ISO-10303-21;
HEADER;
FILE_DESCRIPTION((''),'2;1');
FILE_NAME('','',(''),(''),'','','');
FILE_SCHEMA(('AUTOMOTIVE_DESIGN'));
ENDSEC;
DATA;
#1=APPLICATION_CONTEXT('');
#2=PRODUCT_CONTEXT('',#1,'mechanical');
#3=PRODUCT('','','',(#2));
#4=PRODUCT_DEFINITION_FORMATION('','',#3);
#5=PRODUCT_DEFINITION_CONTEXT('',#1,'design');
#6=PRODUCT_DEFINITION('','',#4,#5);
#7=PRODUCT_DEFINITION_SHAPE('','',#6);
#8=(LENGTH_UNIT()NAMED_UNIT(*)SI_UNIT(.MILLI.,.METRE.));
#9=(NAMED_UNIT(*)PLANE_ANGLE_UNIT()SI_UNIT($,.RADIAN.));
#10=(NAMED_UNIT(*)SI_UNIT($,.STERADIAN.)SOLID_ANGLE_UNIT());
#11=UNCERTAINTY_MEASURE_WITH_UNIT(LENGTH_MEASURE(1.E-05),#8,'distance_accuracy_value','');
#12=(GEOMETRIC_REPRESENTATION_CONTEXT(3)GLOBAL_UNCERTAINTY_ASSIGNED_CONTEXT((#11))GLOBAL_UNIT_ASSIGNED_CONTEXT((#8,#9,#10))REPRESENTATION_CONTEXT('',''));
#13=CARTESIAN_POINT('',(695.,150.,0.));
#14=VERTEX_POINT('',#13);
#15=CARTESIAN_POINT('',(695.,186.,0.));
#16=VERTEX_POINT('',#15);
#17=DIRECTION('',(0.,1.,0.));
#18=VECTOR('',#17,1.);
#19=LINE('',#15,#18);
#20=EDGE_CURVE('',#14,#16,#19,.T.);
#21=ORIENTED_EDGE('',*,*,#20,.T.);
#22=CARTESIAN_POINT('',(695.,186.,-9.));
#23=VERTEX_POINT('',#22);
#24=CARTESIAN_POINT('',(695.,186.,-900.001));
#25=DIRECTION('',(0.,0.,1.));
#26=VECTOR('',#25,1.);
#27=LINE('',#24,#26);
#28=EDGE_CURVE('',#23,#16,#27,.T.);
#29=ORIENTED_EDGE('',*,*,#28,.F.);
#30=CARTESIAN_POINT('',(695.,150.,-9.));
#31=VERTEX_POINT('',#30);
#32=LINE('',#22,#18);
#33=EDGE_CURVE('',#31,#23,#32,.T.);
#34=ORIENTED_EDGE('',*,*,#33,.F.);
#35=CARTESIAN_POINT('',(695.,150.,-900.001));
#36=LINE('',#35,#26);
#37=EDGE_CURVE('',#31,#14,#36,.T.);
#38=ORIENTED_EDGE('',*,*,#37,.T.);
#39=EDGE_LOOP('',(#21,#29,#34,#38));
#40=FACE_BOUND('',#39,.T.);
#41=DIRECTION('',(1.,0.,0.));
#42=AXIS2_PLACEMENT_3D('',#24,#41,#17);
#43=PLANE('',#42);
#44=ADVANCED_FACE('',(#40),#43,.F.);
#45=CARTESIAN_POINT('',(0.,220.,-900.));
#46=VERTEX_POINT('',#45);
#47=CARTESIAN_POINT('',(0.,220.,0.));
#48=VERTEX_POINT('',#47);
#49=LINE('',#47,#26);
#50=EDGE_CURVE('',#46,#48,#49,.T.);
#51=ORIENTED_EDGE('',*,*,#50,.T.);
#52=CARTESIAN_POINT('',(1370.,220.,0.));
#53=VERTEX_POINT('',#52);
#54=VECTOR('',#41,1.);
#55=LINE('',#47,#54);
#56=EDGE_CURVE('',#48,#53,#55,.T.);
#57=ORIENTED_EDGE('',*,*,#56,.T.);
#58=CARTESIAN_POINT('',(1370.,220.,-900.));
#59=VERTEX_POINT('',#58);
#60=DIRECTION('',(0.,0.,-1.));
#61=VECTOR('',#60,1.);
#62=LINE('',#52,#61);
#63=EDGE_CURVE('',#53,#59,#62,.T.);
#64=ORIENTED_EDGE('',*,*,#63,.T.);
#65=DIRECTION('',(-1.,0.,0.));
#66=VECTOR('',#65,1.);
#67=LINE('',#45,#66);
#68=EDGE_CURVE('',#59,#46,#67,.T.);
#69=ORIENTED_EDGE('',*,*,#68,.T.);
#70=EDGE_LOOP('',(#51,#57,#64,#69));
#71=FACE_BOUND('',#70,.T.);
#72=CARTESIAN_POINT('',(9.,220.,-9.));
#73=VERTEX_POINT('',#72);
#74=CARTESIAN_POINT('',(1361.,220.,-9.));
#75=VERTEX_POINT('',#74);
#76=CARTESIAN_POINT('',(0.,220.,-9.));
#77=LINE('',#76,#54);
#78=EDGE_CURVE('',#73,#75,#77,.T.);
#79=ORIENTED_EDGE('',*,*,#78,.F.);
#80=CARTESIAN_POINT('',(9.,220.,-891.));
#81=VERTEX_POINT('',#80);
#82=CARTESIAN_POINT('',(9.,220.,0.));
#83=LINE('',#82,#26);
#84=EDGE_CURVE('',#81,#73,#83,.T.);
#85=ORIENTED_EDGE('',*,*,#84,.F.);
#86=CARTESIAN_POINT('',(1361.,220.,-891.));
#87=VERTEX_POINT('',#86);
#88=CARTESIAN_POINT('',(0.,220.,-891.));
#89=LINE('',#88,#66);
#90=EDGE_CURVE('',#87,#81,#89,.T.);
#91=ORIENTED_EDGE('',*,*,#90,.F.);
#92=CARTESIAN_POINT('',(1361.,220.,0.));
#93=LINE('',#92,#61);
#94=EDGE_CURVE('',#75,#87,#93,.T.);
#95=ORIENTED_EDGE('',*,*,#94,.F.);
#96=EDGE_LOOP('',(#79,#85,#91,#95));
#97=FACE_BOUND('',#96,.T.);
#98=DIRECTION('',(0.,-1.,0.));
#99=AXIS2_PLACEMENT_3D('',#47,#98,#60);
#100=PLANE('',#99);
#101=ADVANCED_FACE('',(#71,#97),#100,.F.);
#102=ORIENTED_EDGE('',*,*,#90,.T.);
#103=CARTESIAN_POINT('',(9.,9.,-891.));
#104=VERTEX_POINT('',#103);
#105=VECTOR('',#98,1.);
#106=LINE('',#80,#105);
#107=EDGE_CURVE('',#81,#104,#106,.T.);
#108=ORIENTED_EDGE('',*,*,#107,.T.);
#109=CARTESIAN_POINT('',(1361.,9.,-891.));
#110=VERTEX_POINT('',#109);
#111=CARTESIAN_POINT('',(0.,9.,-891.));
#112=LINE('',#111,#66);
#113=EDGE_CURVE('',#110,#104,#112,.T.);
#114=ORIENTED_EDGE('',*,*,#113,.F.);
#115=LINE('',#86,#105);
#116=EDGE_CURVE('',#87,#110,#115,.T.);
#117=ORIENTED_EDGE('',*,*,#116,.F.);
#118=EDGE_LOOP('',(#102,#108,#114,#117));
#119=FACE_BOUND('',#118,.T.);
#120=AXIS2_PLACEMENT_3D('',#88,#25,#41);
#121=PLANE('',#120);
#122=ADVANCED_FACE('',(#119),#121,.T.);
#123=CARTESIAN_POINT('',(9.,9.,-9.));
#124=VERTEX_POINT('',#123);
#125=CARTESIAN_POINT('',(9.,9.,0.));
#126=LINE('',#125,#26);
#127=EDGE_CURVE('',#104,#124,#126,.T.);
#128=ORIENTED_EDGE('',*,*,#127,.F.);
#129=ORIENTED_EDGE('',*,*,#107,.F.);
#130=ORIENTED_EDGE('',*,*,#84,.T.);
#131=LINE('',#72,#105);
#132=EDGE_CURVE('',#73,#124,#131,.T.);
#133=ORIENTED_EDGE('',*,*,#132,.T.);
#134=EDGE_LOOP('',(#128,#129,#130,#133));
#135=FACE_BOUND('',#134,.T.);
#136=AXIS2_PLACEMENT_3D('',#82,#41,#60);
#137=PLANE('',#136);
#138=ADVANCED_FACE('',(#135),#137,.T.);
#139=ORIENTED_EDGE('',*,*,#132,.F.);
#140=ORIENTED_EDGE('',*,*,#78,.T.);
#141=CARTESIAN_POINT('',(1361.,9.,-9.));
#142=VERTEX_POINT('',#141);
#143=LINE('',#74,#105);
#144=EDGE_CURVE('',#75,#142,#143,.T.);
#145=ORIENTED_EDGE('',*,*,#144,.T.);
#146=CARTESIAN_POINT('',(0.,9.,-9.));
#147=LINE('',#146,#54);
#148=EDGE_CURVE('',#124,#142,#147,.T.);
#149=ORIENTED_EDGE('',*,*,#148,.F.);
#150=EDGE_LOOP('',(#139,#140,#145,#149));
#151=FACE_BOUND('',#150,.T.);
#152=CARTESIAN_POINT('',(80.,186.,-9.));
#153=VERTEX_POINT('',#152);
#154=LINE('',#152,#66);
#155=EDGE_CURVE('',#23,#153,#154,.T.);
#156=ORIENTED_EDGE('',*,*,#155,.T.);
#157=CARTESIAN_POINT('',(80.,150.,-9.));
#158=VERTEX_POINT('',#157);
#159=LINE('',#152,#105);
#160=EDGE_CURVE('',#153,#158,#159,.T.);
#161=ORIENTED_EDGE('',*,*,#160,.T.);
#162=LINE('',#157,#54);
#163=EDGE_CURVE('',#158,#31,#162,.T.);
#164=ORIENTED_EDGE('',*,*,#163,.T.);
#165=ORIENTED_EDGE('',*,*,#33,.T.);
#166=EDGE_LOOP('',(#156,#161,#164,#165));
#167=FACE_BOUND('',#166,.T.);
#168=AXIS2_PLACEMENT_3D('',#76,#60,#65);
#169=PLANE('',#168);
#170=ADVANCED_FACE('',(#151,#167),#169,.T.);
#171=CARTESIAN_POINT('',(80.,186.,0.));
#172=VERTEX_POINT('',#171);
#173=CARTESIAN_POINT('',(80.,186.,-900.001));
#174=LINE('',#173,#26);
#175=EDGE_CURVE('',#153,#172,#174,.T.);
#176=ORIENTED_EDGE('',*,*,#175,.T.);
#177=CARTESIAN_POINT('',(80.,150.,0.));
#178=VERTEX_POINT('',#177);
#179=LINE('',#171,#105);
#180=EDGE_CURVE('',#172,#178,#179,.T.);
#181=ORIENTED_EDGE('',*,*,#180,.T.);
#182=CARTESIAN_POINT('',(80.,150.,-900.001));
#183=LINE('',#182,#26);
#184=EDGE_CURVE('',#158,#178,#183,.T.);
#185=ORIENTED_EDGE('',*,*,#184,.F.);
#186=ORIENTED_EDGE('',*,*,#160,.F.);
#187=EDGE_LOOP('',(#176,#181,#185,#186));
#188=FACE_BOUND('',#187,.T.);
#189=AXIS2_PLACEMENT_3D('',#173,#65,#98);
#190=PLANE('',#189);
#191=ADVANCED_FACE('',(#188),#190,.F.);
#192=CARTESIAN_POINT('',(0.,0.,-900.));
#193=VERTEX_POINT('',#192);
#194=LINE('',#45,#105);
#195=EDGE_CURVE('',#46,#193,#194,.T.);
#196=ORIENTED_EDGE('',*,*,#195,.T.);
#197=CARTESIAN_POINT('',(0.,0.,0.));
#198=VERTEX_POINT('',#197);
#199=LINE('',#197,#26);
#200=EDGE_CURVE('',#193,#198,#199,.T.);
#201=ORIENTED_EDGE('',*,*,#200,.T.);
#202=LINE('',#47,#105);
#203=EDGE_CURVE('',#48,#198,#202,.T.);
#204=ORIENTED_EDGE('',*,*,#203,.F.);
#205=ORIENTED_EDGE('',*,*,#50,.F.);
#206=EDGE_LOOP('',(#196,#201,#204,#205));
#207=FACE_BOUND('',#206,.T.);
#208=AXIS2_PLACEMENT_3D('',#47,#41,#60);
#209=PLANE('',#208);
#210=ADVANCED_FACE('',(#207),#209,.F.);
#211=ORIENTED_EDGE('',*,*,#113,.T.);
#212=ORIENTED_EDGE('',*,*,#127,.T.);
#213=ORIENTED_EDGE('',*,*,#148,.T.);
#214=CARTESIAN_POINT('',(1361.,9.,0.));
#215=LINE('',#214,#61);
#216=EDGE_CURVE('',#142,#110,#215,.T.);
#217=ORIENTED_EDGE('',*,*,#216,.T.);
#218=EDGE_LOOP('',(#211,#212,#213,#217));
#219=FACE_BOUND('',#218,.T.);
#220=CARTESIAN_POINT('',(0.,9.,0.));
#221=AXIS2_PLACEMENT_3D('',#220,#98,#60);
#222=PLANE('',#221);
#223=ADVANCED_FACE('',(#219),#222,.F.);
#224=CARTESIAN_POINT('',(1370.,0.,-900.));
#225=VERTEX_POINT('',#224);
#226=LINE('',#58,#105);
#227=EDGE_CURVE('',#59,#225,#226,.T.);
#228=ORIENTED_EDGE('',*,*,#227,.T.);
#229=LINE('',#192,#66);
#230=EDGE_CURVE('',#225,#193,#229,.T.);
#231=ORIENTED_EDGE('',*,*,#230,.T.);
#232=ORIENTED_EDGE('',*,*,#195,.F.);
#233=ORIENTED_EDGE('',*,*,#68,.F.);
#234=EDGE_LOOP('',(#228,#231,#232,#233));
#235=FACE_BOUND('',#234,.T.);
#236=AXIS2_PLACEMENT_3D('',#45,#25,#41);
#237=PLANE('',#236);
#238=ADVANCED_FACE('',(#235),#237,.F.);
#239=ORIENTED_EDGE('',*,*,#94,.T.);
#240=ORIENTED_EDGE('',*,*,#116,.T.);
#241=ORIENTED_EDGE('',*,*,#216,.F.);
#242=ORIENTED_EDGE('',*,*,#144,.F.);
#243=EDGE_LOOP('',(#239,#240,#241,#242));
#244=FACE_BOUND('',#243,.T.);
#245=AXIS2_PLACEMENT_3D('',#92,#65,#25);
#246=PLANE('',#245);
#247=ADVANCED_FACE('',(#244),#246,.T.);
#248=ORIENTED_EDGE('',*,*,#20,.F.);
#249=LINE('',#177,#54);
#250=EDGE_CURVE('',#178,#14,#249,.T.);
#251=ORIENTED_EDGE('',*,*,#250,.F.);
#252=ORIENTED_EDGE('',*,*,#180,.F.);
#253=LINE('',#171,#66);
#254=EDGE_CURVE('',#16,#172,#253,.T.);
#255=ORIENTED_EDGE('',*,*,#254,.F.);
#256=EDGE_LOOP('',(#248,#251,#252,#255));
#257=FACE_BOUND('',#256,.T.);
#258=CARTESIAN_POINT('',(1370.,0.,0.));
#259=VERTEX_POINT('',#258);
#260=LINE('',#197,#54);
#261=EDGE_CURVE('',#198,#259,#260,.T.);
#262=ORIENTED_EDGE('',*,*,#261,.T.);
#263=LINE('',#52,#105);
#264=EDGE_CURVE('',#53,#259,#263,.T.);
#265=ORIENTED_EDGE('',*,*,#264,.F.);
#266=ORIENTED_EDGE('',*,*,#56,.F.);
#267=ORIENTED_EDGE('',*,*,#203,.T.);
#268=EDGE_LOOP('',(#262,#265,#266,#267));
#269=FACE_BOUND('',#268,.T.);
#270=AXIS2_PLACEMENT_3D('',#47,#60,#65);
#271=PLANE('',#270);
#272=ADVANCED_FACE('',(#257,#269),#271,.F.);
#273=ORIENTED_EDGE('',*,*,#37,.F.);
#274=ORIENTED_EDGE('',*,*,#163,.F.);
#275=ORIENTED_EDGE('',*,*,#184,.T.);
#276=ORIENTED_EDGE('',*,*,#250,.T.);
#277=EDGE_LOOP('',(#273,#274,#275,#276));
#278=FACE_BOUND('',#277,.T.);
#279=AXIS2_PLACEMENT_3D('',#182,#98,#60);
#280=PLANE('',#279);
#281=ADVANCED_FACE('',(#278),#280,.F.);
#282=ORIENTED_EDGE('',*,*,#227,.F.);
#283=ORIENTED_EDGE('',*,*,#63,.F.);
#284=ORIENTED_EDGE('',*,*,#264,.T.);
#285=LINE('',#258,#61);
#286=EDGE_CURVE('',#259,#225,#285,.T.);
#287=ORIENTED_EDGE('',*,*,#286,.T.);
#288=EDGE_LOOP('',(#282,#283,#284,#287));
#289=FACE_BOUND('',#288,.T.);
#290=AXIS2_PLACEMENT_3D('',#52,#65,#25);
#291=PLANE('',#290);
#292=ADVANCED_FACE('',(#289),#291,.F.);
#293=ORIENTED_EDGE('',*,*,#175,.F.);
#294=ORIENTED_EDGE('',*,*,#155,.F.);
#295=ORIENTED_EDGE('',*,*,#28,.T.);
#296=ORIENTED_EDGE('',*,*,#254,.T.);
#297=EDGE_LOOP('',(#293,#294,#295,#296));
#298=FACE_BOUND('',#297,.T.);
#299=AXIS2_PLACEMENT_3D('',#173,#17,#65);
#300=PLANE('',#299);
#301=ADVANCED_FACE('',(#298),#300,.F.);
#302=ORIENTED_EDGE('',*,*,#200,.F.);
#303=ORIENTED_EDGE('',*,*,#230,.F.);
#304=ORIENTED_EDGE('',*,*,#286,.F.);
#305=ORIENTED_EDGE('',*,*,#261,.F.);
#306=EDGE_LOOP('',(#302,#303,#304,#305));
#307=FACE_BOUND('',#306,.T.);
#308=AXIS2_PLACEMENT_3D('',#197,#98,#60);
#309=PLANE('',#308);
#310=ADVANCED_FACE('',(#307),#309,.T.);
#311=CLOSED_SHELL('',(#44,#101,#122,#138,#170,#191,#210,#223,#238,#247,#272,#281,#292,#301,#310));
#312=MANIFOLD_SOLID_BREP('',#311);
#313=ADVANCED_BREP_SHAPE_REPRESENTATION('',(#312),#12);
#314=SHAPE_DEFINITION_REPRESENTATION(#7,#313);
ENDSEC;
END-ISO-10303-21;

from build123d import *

# Parameters (mm, degrees)
SKETCH1_W           = 1370
SKETCH1_H           = 900
BOSS_EXTRUDE1_DEPTH = 220
SHELL1_T            = -9
CUT_EXTRUDE1_REACH  = 1655.874
SKETCH3_W           = 615
SKETCH3_H           = 36


with BuildPart() as part:
    # Sketch1 → Boss-Extrude1 (new body)
    with BuildSketch(Plane(origin=(0, 0, 0), x_dir=(1, 0, 0), z_dir=(0, 1, 0))):
        with Locations((685, 450)):
            Rectangle(SKETCH1_W, SKETCH1_H)
    extrude(amount=BOSS_EXTRUDE1_DEPTH)

    # Shell1
    shell1_openings = [part.faces().sort_by_distance(p)[0] for p in [
        (685, 220, -450),
    ]]
    offset(amount=SHELL1_T, openings=shell1_openings, kind=Kind.INTERSECTION)

    # Sketch3 → Cut-Extrude1 (cut, up to next)
    with BuildSketch(Plane.XY, mode=Mode.PRIVATE) as cut_extrude1_sk1:
        with Locations((387.5, 168)):
            Rectangle(SKETCH3_W, SKETCH3_H)
    cut_extrude1_tool1 = extrude(cut_extrude1_sk1.sketch, amount=-CUT_EXTRUDE1_REACH, mode=Mode.PRIVATE) & part.part
    add(cut_extrude1_tool1.solids().sort_by_distance((387.5, 168, 0))[0], mode=Mode.SUBTRACT)


solid = part.part
